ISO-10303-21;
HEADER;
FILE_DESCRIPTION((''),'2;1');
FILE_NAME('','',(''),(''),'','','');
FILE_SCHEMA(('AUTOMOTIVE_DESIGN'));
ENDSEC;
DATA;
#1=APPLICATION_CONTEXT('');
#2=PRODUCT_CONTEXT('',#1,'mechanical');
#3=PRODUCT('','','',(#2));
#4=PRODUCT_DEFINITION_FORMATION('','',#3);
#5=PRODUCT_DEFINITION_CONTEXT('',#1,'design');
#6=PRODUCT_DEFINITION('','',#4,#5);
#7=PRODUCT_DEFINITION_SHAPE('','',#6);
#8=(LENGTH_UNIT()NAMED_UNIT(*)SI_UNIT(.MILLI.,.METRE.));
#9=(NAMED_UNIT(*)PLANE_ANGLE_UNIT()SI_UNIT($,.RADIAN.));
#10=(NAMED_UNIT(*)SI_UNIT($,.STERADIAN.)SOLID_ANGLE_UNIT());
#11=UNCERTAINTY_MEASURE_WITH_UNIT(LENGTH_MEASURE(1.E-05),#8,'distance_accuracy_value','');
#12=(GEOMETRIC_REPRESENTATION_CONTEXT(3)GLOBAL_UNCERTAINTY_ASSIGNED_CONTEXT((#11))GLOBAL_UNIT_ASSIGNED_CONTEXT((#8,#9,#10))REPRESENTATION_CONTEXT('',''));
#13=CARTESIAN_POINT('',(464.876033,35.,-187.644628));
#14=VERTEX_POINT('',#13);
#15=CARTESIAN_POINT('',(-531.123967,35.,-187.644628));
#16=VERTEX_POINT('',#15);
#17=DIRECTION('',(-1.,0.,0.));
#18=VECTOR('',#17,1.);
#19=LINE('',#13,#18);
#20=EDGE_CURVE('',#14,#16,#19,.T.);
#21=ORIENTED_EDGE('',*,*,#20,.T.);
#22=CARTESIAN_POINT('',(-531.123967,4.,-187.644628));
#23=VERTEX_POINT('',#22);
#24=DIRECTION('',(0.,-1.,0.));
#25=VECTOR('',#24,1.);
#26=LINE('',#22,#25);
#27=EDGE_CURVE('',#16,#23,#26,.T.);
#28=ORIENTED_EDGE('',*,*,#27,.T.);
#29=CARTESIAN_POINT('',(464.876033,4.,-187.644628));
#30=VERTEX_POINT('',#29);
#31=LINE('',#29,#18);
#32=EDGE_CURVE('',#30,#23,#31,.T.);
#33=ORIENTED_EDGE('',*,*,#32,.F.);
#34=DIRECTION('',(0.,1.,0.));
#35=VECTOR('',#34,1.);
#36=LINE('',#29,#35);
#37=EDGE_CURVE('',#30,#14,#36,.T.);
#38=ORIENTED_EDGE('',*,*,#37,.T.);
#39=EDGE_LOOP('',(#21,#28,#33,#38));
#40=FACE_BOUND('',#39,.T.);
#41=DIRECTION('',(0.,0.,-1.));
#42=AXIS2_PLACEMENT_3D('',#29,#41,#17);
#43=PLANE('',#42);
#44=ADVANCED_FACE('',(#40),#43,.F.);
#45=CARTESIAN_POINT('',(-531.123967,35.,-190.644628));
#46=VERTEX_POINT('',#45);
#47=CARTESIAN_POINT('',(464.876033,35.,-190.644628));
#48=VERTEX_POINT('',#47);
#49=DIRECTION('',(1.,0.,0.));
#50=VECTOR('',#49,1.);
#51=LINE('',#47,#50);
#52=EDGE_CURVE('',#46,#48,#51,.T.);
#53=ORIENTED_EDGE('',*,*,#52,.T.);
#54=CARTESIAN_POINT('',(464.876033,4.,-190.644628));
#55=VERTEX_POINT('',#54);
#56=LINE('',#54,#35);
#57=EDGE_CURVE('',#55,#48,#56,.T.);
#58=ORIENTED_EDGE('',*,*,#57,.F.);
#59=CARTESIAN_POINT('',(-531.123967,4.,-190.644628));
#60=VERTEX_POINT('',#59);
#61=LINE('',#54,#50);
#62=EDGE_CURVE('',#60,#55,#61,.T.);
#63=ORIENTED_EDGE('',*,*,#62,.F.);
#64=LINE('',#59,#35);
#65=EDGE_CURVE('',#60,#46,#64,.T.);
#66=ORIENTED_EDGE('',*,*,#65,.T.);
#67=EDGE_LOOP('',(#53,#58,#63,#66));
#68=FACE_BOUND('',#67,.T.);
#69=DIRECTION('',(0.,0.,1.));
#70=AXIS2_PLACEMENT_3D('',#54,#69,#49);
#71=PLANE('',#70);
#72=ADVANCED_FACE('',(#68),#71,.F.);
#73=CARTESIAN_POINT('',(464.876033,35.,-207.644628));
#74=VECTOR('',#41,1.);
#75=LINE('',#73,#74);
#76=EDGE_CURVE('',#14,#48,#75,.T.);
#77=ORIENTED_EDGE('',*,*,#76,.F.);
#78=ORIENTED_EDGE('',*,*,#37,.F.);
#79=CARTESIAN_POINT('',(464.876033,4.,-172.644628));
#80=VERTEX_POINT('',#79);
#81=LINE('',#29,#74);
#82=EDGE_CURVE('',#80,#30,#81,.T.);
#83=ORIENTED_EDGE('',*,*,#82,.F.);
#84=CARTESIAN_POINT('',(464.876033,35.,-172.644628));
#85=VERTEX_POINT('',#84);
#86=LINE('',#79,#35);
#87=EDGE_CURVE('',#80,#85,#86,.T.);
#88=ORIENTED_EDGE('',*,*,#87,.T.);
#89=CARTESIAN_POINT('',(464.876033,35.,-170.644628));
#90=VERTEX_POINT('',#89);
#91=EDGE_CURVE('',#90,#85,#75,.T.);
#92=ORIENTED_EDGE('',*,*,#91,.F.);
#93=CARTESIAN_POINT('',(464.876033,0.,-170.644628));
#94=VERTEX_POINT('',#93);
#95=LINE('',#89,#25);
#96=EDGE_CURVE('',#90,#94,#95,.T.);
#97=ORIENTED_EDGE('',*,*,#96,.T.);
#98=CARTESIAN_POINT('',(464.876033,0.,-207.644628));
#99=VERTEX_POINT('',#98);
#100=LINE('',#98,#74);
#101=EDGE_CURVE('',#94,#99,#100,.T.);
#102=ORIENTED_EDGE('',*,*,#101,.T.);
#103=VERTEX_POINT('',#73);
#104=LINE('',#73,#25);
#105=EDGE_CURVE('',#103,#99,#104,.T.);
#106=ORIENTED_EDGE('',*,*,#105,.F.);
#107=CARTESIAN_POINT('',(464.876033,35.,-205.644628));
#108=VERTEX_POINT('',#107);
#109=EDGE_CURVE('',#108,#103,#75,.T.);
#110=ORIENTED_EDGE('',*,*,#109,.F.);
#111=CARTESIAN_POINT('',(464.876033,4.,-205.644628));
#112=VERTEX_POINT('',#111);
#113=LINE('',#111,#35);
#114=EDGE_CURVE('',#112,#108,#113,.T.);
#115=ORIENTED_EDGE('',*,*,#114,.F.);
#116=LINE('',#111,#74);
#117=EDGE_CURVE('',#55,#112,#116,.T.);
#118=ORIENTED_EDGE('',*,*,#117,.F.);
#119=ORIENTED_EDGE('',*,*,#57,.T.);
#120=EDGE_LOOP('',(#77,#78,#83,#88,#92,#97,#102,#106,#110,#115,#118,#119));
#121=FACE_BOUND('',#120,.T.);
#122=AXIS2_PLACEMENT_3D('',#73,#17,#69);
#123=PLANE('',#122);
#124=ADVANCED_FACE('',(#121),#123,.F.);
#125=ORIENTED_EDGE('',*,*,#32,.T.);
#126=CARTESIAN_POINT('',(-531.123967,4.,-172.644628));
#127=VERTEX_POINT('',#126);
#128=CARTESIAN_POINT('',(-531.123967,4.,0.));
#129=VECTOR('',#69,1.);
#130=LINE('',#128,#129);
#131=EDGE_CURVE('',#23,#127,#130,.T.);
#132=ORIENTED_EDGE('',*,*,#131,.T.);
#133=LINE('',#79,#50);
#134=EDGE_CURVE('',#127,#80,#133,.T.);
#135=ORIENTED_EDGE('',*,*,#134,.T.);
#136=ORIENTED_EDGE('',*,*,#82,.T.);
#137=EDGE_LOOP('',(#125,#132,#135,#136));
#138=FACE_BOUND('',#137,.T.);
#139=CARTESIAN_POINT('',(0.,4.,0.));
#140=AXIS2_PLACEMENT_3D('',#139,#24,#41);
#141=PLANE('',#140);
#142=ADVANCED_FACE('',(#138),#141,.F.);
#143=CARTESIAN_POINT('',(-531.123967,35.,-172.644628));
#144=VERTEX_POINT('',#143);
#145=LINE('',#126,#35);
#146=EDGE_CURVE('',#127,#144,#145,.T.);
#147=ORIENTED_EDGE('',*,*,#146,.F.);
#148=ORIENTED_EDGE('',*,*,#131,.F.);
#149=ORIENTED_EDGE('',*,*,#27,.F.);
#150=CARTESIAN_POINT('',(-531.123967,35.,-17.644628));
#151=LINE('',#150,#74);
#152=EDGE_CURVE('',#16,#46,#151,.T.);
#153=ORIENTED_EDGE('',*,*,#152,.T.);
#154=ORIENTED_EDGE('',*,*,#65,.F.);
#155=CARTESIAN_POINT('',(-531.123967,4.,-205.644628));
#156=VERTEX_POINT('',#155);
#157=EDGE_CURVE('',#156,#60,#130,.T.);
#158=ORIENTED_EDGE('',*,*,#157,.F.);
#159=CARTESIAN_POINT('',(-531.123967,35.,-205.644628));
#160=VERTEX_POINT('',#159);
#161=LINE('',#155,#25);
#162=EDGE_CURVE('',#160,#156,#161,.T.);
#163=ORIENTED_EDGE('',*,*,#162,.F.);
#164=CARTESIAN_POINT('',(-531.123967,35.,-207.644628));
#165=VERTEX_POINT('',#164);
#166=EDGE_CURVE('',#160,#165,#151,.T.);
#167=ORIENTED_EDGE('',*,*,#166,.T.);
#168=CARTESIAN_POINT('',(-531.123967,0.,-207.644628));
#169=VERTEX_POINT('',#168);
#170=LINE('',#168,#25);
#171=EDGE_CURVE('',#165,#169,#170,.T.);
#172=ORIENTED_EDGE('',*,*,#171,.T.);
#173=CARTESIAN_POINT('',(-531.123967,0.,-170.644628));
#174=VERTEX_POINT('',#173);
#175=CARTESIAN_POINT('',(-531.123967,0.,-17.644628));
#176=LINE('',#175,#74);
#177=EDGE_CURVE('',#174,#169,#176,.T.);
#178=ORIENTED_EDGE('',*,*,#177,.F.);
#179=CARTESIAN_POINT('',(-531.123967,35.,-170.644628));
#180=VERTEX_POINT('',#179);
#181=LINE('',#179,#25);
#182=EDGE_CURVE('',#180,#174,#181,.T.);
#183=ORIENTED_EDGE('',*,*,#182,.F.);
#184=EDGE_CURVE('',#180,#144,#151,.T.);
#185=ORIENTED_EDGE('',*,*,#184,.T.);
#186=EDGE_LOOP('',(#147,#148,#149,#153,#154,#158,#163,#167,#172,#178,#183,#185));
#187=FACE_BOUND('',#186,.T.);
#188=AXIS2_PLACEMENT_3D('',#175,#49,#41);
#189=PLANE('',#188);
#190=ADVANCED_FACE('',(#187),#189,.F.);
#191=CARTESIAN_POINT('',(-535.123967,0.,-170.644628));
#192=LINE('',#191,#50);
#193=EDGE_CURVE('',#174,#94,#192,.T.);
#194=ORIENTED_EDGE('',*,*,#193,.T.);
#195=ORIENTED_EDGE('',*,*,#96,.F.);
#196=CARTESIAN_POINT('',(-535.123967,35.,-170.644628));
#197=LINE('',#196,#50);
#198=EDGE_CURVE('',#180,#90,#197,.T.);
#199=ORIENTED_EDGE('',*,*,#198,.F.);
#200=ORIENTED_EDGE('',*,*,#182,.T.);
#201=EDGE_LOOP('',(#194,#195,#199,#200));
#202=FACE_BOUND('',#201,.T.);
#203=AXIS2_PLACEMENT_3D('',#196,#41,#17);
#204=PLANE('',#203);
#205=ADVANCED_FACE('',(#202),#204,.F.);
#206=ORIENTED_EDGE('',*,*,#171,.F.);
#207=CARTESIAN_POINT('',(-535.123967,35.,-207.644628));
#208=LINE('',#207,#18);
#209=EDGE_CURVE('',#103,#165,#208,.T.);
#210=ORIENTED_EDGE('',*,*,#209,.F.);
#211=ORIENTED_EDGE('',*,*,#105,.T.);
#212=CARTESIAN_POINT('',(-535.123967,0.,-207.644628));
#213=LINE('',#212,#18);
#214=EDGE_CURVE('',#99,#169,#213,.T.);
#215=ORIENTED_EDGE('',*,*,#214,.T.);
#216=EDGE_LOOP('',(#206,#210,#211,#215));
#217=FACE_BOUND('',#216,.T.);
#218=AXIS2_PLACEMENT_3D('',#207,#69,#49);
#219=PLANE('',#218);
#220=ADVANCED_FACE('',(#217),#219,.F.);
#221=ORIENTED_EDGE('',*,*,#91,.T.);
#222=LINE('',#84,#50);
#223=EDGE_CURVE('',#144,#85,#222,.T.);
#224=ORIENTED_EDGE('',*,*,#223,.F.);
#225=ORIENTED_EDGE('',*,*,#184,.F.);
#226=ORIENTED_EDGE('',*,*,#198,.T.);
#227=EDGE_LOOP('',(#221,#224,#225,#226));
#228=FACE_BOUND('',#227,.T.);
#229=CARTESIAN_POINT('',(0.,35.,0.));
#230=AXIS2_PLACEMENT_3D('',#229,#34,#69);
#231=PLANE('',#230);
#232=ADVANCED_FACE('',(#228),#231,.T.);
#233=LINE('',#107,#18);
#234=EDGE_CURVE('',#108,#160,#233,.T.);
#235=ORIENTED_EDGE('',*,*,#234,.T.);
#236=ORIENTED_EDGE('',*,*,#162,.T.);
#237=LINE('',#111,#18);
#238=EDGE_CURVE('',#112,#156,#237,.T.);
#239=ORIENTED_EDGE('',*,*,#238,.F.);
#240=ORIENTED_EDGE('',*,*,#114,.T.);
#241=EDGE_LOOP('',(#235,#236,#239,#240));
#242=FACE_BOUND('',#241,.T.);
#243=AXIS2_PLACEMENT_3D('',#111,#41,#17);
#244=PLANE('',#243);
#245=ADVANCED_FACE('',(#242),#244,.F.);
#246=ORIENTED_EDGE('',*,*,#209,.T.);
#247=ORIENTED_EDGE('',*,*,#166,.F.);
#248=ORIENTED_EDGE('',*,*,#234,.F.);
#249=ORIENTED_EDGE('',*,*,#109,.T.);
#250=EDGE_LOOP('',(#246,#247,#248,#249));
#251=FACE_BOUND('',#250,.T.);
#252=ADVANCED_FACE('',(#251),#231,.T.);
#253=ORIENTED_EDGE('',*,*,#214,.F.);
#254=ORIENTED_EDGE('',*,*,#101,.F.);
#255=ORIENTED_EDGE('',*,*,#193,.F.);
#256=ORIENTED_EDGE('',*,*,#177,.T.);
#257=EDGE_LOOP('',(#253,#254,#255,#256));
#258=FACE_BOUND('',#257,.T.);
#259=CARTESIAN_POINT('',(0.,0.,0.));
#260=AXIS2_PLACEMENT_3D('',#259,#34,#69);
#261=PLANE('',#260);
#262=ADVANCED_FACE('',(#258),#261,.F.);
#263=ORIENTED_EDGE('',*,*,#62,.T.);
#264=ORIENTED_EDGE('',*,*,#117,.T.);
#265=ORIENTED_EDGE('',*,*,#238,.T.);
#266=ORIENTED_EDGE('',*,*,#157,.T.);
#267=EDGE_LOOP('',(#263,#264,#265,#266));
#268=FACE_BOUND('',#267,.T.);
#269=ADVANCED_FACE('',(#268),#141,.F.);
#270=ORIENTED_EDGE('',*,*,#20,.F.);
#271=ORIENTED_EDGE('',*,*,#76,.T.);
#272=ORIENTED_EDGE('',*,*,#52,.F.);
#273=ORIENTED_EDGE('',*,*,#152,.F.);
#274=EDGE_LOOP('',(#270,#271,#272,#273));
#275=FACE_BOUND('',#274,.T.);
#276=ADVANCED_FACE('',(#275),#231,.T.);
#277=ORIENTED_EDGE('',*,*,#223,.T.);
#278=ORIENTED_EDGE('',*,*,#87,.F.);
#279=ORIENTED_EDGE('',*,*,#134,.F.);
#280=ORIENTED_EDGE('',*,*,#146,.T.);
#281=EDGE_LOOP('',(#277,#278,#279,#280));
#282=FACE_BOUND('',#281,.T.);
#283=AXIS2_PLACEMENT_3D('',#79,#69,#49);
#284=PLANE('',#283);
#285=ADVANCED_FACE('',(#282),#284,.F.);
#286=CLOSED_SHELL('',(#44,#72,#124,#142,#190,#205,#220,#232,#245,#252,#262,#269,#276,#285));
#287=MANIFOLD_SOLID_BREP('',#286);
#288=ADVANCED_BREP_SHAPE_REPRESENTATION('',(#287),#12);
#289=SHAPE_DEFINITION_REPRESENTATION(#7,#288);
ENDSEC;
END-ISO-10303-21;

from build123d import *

# Parameters (mm, degrees)
SKETCH2_W           = 1000
SKETCH2_H           = 37
BOSS_EXTRUDE1_DEPTH = 35
SKETCH3_W           = 1000
SKETCH3_H           = 15
CUT_EXTRUDE1_DEPTH  = 31
SKETCH4_W           = 4
SKETCH4_H           = 35
CUT_EXTRUDE2_DEPTH  = 190


with BuildPart() as part:
    # Sketch2 → Boss-Extrude1 (new body)
    with BuildSketch(Plane(origin=(0, 0, 0), x_dir=(1, 0, 0), z_dir=(0, 1, 0))):
        with Locations((-35.123966942, 189.144628099)):
            Rectangle(SKETCH2_W, SKETCH2_H)
    extrude(amount=BOSS_EXTRUDE1_DEPTH)

    # Sketch3 → Cut-Extrude1 (cut)
    with BuildSketch(Plane(origin=(0, 35, 0), x_dir=(1, 0, 0), z_dir=(0, 1, 0))):
        with Locations((-35.123966942, 198.144628099)):
            Rectangle(SKETCH3_W, SKETCH3_H)
        with Locations((-35.123966942, 180.144628099)):
            Rectangle(SKETCH3_W, SKETCH3_H)
    extrude(amount=-CUT_EXTRUDE1_DEPTH, mode=Mode.SUBTRACT)

    # Sketch4 → Cut-Extrude2 (cut)
    with BuildSketch(Plane(origin=(0, 0, -207.644628099), x_dir=(-1, 0, 0), z_dir=(0, 0, -1))):
        with Locations((533.123966942, 17.5)):
            Rectangle(SKETCH4_W, SKETCH4_H)
    extrude(amount=-CUT_EXTRUDE2_DEPTH, mode=Mode.SUBTRACT)


solid = part.part
